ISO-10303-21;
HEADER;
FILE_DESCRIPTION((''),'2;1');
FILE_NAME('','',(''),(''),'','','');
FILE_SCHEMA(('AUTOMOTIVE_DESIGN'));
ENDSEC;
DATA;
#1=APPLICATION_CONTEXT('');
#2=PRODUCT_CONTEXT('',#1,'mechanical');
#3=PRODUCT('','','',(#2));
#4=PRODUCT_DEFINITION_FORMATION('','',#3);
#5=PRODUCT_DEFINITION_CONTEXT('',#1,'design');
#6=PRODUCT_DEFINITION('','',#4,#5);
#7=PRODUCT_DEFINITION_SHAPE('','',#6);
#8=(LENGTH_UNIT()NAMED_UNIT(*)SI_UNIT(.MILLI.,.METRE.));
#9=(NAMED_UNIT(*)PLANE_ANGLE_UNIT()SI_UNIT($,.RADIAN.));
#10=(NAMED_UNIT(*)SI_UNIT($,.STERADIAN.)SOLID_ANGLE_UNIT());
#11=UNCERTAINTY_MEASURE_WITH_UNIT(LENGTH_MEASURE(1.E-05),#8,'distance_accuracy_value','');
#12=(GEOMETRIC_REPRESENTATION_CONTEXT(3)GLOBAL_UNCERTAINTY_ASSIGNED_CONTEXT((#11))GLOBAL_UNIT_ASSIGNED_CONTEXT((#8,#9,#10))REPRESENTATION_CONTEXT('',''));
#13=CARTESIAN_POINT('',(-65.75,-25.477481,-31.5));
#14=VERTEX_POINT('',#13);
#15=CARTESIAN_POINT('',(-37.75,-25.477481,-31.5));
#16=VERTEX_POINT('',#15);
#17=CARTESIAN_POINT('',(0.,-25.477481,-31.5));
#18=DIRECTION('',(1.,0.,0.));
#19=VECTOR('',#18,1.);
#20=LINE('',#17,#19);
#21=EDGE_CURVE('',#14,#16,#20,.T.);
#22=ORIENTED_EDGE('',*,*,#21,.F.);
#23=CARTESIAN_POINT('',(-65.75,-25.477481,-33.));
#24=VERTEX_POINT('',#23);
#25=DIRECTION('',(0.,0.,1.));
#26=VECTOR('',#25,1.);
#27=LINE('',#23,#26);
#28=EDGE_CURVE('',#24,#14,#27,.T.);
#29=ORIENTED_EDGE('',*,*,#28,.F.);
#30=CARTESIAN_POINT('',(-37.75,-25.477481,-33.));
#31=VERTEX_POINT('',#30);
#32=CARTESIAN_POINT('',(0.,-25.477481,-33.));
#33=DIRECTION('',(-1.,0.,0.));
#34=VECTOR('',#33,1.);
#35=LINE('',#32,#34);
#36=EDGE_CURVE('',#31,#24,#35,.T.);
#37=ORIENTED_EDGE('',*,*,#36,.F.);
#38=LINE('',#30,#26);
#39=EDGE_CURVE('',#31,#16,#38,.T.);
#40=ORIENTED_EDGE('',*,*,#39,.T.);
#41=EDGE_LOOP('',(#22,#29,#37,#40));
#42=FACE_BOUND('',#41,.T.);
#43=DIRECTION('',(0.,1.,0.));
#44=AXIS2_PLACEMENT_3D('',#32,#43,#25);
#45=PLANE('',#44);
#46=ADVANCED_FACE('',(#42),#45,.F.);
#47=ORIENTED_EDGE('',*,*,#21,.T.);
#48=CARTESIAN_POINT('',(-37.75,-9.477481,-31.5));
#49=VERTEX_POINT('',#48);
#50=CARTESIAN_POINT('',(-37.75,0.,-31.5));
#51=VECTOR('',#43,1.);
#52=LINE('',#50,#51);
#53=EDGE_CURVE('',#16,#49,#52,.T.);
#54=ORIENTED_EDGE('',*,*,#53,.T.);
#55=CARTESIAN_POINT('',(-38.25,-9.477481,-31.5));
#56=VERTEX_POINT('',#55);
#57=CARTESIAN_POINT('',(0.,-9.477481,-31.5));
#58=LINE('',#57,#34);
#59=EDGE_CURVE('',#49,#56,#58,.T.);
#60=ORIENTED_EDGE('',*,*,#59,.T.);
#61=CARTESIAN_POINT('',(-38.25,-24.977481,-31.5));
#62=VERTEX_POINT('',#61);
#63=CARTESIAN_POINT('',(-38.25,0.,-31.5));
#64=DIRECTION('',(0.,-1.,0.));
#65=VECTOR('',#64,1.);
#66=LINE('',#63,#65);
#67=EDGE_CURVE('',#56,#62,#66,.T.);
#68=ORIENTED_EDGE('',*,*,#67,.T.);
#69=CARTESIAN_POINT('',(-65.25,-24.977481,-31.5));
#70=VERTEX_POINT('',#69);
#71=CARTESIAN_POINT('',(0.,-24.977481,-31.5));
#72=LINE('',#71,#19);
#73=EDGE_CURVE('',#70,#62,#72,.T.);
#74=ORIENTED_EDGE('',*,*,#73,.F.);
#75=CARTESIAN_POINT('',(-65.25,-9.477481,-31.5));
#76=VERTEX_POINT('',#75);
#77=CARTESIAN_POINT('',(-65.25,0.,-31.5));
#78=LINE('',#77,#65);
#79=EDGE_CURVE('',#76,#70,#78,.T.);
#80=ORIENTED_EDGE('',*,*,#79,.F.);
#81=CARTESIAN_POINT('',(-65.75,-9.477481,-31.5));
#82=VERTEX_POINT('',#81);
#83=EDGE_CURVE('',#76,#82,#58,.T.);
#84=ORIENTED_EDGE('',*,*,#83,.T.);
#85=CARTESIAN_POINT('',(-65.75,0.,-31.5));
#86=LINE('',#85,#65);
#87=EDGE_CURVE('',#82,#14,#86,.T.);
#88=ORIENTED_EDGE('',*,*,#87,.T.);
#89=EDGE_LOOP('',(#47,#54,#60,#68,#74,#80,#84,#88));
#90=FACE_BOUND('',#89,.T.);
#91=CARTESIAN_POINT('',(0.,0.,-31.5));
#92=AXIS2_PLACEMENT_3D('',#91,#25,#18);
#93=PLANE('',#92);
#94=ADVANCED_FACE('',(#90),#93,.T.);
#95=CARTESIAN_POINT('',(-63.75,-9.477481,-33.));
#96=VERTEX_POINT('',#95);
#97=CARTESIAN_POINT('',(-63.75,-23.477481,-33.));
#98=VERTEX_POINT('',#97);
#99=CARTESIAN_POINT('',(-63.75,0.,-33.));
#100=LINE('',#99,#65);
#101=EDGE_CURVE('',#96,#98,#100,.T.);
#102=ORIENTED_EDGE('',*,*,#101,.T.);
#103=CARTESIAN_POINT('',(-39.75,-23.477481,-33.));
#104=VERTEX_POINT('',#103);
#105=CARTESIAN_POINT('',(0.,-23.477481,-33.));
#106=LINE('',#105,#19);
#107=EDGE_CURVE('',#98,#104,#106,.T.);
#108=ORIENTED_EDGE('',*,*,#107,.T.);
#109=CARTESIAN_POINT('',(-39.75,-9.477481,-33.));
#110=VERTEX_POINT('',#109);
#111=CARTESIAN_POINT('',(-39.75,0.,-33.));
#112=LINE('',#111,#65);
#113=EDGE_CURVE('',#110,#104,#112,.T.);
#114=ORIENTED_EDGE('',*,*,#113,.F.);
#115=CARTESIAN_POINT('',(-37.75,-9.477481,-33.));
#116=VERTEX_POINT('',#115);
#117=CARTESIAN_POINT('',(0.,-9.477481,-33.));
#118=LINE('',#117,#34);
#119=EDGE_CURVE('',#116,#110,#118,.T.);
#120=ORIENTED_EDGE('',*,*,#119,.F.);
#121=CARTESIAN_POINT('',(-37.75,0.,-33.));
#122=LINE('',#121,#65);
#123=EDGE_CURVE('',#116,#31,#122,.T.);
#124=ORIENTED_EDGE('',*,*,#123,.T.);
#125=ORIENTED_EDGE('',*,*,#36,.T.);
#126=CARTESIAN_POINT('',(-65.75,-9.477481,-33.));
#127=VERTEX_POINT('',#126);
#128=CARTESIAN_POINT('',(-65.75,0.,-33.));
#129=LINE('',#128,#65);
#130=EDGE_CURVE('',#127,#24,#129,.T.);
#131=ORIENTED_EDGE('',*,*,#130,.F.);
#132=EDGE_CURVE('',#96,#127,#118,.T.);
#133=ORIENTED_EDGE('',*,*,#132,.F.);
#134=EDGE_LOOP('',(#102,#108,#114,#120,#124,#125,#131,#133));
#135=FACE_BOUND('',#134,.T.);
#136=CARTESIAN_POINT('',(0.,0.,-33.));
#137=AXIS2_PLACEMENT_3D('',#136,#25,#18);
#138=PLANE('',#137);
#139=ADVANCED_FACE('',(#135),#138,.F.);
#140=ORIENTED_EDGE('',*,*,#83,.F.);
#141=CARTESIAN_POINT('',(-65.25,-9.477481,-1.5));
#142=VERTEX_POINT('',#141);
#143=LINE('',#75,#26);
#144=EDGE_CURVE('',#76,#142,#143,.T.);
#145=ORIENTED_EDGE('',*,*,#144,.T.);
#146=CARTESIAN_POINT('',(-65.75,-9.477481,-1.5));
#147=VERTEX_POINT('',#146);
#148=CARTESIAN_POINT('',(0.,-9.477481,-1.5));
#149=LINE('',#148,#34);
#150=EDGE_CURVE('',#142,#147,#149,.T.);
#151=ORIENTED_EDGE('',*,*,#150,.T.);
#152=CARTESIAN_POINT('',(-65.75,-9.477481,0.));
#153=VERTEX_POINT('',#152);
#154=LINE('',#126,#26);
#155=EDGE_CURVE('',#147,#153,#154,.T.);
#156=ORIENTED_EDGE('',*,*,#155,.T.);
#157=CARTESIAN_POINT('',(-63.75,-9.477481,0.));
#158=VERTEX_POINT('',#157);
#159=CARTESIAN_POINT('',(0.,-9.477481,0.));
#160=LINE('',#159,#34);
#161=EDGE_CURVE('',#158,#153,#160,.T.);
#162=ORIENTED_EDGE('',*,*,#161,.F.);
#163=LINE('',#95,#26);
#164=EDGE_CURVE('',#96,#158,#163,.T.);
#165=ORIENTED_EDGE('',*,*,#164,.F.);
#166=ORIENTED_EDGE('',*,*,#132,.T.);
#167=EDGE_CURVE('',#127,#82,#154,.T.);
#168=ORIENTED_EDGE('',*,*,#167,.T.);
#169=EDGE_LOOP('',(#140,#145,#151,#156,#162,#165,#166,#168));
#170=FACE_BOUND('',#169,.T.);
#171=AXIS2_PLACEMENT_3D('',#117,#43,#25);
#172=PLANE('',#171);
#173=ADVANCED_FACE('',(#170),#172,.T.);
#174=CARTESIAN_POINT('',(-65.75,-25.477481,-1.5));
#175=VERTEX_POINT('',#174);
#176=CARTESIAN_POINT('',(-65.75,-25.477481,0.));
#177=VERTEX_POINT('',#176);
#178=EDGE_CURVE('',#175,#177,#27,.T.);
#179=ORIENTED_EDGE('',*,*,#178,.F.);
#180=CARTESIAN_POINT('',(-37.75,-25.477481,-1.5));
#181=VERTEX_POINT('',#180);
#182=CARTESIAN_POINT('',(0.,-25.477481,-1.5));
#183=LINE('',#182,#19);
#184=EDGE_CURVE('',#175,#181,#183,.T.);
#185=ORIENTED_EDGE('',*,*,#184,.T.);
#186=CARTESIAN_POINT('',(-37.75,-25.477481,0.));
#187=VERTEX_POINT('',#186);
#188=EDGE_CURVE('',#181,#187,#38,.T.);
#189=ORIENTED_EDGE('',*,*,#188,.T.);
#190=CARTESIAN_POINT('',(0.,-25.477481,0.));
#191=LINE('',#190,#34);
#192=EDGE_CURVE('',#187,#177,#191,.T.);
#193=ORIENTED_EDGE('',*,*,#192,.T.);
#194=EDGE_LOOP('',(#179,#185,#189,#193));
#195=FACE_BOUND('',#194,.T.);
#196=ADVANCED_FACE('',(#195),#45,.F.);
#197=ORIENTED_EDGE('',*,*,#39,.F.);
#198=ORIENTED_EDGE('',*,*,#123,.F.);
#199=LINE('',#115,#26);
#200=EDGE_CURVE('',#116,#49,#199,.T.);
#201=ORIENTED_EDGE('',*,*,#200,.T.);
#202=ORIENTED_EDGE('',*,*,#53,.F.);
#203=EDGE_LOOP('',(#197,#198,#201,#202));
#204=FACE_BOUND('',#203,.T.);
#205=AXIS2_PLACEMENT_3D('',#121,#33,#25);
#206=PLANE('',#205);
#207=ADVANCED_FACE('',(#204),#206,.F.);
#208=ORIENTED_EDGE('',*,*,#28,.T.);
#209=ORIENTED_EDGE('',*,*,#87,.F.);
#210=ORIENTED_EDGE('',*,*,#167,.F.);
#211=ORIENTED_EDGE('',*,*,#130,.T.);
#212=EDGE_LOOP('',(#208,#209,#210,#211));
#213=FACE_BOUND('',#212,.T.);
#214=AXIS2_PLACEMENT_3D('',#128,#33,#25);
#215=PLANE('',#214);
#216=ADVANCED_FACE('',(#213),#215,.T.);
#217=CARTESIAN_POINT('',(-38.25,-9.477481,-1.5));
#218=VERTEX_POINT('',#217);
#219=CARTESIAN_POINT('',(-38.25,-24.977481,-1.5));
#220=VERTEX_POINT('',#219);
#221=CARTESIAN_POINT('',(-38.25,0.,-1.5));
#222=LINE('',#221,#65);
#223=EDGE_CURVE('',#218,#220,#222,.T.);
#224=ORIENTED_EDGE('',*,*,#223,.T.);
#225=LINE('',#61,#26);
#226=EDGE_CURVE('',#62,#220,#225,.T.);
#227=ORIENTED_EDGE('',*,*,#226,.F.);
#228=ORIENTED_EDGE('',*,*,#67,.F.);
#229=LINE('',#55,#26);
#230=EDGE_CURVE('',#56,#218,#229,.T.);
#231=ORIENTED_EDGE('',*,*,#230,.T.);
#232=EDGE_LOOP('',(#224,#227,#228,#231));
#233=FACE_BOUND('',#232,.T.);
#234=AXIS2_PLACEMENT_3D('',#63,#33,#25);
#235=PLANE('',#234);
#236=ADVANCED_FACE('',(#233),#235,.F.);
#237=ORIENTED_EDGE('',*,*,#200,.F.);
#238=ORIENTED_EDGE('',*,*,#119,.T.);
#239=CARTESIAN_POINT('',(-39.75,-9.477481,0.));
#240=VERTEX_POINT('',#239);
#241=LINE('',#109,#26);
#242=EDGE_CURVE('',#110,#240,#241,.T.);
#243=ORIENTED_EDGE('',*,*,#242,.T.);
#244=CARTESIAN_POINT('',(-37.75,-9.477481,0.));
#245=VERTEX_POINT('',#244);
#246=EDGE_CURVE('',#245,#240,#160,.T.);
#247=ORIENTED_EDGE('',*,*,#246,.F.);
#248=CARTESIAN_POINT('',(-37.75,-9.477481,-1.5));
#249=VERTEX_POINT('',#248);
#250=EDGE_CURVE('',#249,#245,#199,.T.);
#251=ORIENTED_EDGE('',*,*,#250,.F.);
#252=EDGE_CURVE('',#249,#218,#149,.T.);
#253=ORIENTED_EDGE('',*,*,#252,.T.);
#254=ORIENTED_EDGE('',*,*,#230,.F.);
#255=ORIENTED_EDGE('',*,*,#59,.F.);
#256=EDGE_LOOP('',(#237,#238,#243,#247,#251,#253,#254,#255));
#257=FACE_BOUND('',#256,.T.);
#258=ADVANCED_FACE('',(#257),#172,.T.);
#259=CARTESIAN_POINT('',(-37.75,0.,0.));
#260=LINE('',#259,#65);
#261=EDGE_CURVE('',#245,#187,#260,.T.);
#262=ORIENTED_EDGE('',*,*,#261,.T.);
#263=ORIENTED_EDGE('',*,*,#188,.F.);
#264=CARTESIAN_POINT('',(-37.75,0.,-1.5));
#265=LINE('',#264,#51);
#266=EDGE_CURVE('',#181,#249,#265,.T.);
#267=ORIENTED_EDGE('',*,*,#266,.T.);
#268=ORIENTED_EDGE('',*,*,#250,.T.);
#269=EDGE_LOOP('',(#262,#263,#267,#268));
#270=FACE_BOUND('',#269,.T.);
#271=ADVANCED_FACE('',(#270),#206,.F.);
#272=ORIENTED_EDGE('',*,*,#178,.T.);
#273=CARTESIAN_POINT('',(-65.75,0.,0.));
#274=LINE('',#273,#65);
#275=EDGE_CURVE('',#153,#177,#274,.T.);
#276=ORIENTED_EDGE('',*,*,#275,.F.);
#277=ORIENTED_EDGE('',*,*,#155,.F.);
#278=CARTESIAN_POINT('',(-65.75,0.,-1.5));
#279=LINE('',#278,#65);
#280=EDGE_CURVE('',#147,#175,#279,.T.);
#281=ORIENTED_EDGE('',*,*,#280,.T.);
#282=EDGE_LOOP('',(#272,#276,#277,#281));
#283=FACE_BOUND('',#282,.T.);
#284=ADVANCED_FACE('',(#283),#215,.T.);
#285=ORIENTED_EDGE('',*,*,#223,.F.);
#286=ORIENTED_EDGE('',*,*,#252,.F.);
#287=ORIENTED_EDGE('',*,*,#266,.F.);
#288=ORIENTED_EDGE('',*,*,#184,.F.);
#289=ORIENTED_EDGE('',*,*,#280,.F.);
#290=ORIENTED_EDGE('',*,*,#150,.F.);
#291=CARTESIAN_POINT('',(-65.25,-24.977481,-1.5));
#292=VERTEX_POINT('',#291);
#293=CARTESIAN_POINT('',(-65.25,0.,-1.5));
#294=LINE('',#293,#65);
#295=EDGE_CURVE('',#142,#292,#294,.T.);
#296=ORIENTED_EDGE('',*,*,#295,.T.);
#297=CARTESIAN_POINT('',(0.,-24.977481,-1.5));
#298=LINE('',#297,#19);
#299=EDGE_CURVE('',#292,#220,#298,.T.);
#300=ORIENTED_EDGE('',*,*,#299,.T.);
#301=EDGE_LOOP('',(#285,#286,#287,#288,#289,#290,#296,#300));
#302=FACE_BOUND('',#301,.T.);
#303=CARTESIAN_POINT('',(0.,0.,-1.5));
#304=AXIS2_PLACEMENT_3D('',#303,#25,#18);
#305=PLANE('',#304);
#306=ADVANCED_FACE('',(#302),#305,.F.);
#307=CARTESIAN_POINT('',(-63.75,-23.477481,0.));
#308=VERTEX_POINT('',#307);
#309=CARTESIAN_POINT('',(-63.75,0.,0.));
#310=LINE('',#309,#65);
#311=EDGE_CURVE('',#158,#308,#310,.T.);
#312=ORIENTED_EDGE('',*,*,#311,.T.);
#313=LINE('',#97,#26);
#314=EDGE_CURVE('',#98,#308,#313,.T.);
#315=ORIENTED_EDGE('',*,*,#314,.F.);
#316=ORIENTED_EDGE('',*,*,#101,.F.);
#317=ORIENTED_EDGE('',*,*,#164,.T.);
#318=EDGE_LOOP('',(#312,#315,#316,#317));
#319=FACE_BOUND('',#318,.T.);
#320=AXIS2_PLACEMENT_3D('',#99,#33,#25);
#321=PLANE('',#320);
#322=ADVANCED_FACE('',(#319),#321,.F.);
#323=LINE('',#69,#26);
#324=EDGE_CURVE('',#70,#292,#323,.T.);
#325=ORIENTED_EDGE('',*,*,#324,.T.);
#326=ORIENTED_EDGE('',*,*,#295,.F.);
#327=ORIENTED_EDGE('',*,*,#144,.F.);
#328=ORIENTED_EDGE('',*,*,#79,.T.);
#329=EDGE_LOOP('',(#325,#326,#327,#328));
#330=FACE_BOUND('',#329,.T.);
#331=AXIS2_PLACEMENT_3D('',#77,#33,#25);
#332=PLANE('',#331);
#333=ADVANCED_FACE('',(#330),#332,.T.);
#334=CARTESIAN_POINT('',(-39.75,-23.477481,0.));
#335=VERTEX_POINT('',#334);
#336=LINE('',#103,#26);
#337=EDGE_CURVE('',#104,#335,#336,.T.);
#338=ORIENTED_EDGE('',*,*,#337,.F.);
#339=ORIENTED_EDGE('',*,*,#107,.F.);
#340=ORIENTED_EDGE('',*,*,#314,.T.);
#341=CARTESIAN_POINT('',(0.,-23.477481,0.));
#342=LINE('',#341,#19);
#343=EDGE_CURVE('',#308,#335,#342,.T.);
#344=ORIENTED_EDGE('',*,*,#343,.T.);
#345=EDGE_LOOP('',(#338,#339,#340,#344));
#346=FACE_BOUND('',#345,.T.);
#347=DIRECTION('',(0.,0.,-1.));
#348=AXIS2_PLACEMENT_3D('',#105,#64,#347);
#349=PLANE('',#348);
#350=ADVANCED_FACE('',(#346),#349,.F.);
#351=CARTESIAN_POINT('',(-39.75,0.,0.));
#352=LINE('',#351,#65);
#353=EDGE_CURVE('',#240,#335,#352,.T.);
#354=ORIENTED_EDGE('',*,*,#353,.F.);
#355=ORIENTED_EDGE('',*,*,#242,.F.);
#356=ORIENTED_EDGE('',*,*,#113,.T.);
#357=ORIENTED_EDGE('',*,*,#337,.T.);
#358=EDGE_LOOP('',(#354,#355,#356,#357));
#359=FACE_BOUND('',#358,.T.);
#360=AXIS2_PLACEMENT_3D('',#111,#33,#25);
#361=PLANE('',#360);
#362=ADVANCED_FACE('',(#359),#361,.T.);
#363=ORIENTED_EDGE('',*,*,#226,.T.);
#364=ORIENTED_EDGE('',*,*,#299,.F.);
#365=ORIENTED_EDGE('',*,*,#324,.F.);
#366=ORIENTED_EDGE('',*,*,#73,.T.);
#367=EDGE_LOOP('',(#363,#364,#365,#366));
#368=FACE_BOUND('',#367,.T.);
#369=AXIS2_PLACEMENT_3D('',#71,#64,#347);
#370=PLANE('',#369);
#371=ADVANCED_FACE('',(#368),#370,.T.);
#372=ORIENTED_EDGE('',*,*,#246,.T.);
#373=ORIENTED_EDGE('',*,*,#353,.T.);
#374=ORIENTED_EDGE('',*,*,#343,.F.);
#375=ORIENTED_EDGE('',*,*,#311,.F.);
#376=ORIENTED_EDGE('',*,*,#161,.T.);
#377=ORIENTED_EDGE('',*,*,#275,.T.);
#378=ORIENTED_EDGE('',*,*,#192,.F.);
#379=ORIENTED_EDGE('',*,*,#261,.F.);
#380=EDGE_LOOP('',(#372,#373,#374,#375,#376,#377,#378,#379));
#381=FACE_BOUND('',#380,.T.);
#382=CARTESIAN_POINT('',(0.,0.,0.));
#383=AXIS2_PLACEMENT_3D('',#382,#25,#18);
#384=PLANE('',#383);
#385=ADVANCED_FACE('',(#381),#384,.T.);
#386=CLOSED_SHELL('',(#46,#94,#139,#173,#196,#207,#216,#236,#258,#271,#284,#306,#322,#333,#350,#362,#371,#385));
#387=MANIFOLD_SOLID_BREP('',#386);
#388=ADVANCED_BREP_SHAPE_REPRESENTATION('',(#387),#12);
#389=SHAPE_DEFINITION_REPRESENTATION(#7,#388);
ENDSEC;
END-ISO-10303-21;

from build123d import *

# Parameters (mm, degrees)
BOSS_EXTRUDE1_DEPTH = 33
CUT_EXTRUDE1_START  = -1.5
CUT_EXTRUDE1_DEPTH  = 30


with BuildPart() as part:
    # Sketch1 → Boss-Extrude1 (new body)
    with BuildSketch(Plane.XY):
        Polygon((-37.75, -25.477481475), (-37.75, -9.477481475), (-39.75, -9.477481475), (-39.75, -23.477481475), (-63.75, -23.477481475), (-63.75, -9.477481475), (-65.75, -9.477481475), (-65.75, -25.477481475), align=None)
    extrude(amount=-BOSS_EXTRUDE1_DEPTH)

    # Sketch4 → Cut-Extrude1 (cut)
    with BuildSketch(Plane.XY.offset(CUT_EXTRUDE1_START)):
        Polygon((-65.25, -24.977481475), (-65.25, -9.477481475), (-65.75, -9.477481475), (-65.75, -25.477481475), (-37.75, -25.477481475), (-37.75, -9.477481475), (-38.25, -9.477481475), (-38.25, -24.977481475), align=None)
    extrude(amount=-CUT_EXTRUDE1_DEPTH, mode=Mode.SUBTRACT)


solid = part.part
